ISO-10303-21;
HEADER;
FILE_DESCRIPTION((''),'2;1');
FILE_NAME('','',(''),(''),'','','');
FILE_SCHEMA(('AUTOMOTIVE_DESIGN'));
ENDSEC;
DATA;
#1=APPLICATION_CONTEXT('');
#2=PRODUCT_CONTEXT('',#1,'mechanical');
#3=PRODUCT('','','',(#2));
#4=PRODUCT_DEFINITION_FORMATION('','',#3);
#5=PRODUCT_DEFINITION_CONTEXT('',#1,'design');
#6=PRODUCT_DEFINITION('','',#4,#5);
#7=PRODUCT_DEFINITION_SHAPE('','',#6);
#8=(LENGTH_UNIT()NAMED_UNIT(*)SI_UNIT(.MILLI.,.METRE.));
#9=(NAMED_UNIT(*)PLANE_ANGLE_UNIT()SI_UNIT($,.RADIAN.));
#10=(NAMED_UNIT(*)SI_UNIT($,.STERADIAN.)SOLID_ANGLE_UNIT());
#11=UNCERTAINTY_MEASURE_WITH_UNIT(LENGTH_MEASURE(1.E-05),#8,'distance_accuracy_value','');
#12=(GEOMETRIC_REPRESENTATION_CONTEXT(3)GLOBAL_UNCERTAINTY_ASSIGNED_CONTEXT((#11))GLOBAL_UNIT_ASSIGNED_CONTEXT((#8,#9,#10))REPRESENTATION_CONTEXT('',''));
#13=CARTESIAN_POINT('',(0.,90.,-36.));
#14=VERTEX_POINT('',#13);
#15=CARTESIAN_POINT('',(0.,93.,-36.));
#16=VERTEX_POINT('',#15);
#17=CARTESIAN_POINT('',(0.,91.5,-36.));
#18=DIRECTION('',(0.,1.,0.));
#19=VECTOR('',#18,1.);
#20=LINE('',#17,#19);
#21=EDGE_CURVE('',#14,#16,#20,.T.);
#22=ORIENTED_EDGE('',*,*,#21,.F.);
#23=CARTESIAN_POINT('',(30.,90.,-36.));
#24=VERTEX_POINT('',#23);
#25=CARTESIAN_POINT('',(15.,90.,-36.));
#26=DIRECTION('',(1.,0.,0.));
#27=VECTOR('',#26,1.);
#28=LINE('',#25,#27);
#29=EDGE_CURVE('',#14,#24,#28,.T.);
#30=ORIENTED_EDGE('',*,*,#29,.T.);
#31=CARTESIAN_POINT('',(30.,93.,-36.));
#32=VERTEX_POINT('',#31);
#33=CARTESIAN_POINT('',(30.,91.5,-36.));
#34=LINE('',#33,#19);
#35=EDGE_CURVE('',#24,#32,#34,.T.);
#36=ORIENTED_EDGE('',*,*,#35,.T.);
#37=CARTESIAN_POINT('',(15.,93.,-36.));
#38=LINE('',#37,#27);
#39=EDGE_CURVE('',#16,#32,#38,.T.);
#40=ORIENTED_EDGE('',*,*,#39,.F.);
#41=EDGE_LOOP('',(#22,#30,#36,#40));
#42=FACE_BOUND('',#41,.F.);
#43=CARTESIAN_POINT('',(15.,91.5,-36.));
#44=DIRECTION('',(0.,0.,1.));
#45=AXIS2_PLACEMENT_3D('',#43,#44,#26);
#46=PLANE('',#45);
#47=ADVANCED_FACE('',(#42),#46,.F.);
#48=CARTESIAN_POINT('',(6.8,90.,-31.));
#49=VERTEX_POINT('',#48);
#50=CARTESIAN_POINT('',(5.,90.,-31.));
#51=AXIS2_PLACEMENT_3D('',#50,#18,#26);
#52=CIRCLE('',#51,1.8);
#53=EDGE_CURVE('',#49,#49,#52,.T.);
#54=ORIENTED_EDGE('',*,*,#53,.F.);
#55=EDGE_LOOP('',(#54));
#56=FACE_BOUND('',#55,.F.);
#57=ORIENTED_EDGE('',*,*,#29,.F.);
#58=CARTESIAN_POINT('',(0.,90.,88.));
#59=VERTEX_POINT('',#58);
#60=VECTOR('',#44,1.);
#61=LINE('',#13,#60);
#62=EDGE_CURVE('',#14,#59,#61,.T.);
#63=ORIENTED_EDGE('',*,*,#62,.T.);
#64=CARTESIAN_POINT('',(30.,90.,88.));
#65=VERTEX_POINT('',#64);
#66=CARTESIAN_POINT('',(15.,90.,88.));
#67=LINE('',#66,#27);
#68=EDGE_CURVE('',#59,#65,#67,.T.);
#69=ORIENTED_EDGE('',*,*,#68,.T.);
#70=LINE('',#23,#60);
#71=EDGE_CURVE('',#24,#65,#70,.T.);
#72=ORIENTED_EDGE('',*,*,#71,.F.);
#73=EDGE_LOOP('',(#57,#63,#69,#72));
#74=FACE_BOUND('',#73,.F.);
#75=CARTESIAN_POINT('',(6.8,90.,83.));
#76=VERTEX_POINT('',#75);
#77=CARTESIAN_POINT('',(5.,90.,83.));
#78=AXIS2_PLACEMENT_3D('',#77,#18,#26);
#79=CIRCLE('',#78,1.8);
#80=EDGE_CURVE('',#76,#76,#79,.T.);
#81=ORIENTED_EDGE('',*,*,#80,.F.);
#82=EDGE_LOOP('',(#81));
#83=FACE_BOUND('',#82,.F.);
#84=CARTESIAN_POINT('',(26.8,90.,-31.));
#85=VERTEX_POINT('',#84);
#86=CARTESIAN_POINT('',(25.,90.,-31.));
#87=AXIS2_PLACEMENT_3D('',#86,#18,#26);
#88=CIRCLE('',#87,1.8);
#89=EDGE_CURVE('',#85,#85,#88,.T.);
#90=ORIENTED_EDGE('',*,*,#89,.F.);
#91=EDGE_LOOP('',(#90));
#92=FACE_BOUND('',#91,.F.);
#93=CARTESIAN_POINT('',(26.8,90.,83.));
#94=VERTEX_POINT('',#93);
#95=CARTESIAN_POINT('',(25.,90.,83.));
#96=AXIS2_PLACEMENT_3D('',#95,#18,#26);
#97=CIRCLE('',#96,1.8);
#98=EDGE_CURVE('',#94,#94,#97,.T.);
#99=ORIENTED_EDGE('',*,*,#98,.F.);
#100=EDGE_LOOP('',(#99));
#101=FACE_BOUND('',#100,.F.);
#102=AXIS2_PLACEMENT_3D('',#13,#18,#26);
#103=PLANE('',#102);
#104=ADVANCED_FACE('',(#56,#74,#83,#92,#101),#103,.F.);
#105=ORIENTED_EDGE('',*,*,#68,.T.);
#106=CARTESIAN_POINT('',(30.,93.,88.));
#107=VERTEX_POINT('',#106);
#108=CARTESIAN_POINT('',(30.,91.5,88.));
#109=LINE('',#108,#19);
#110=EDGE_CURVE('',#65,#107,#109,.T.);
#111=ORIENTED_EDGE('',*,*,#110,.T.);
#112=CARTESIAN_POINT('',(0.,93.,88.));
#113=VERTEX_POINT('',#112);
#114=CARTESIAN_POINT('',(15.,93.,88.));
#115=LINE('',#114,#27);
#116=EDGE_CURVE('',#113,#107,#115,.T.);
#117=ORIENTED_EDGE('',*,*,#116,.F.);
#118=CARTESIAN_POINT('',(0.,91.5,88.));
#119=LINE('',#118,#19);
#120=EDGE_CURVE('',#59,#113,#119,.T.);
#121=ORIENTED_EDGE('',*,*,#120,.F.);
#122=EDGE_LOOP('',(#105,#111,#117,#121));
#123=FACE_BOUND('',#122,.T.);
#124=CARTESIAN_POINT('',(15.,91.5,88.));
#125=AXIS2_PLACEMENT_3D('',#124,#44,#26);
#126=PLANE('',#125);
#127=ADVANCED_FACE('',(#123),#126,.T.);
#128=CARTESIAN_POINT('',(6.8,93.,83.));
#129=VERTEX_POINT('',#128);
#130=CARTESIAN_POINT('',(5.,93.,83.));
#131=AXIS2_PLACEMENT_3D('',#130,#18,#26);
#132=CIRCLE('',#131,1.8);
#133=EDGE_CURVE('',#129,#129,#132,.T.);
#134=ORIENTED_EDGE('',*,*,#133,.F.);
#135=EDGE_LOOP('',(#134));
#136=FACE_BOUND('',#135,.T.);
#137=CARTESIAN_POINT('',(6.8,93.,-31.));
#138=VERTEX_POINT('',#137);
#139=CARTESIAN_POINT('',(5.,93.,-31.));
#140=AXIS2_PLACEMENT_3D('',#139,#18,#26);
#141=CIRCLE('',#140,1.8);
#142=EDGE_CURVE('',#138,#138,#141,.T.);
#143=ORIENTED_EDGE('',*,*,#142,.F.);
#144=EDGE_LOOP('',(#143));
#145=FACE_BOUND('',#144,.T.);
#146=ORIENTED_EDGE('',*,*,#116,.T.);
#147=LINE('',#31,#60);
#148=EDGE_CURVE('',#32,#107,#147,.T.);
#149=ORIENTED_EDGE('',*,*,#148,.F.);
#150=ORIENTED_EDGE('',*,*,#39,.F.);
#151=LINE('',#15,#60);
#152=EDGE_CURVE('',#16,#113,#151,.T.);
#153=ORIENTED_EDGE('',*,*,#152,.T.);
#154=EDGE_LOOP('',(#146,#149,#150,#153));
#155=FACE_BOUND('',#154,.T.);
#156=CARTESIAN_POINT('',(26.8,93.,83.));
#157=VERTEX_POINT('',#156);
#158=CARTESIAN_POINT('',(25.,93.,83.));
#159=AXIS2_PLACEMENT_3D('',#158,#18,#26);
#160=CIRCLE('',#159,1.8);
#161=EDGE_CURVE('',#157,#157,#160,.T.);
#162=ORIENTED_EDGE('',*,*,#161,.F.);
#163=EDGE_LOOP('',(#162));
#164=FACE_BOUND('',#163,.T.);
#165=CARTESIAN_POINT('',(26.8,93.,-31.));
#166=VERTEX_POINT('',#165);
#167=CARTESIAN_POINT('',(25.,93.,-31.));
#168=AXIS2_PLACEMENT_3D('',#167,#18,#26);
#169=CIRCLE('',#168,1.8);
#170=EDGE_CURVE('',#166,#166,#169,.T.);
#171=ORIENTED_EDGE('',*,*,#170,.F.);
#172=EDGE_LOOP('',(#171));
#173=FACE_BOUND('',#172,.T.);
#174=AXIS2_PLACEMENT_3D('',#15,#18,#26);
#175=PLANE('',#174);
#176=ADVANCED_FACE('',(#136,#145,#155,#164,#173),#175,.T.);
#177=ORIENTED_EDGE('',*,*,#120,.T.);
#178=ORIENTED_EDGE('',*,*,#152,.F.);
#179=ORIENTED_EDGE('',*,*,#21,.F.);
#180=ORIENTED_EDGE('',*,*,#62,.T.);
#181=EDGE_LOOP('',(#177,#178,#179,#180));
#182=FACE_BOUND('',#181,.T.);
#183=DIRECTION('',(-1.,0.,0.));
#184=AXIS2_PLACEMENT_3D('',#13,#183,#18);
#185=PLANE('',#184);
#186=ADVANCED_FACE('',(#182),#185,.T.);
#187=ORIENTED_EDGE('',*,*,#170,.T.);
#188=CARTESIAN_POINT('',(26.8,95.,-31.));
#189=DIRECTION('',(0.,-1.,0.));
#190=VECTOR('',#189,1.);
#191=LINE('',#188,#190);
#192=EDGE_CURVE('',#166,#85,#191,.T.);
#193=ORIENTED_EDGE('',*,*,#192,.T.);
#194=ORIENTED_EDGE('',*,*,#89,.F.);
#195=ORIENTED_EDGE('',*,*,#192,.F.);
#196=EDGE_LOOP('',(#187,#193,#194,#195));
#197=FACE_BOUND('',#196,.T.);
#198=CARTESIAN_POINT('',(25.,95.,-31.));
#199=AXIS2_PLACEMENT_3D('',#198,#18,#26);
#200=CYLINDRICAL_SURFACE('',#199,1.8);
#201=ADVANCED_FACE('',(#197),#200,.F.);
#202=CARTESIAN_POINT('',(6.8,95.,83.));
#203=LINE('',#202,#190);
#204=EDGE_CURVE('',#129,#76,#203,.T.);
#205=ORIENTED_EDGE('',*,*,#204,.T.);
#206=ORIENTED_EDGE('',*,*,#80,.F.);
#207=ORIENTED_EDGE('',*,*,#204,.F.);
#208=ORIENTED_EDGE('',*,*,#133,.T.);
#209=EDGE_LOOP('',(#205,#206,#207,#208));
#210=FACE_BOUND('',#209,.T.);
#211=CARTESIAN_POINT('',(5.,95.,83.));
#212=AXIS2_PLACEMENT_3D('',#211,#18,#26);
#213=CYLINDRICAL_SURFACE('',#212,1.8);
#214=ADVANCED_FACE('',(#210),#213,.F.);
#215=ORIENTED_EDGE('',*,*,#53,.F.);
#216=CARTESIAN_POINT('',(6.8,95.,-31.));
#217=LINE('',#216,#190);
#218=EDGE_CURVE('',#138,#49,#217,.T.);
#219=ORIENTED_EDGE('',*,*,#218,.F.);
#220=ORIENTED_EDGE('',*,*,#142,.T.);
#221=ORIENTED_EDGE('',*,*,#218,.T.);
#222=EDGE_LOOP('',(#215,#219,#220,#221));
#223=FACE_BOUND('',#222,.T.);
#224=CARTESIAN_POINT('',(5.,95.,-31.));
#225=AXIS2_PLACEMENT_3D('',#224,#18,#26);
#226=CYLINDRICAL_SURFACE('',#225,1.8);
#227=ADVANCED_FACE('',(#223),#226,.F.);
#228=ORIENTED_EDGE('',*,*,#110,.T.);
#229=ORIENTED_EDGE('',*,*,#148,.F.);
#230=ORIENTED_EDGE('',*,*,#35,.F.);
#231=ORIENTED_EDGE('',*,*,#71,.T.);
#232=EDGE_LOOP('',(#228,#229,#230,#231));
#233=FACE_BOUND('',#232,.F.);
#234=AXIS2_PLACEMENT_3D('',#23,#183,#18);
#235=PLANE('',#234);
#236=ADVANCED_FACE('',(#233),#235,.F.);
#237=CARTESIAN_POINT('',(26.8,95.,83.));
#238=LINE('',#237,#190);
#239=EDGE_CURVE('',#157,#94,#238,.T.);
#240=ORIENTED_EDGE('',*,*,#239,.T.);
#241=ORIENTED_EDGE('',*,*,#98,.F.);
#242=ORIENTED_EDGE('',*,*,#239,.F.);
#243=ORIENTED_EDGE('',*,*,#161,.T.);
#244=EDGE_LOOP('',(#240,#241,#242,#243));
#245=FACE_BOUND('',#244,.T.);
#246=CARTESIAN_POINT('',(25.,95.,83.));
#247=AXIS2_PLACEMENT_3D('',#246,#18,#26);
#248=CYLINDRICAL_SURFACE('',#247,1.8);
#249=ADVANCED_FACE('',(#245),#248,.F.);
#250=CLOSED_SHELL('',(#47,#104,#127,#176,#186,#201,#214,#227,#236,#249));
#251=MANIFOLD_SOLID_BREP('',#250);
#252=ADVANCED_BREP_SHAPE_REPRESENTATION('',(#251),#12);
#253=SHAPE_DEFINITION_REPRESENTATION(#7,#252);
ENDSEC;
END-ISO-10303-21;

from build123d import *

# Parameters (mm, degrees)
CYLINDER038_R       = 1.8
CYLINDER038_DEPTH   = 10
ARRAY001019_X_COUNT = 2
ARRAY001019_X_PITCH = 20
ARRAY001019_Z_COUNT = 2
ARRAY001019_Z_PITCH = 114
BOX018_W            = 30
BOX018_H            = 3
BOX018_DEPTH        = 124


with BuildPart() as side_connector_hole_array:
    # Cylinder038 → Cylinder038 (new body)
    with BuildSketch(Plane.XZ):
        Circle(CYLINDER038_R)
    extrude(amount=CYLINDER038_DEPTH)

    # Array001019 X: side connector hole array ×2


with BuildPart() as side_connector_hole_array_1:
    add(side_connector_hole_array.part)
    with Locations(*[(i * ARRAY001019_X_PITCH, 0, 0) for i in range(1, ARRAY001019_X_COUNT)]):
        add(side_connector_hole_array.part)

    # Array001019 Z: side connector hole array ×2


with BuildPart() as side_connector_hole_array_2:
    add(side_connector_hole_array_1.part)
    with Locations(*[(0, 0, i * ARRAY001019_Z_PITCH) for i in range(1, ARRAY001019_Z_COUNT)]):
        add(side_connector_hole_array_1.part)


with BuildPart() as side_connector_hole_array_3:
    # Array001019 placement: moved
    add(side_connector_hole_array_2.part.moved(Location((5, 5, 5))))


with BuildPart() as vertical_side_connector_clone001:
    # Box018 → Box018 (new body)
    with BuildSketch(Plane.XY):
        with Locations((15, 1.5)):
            Rectangle(BOX018_W, BOX018_H)
    extrude(amount=BOX018_DEPTH)

    # Cut014: cut side connector hole array
    add(side_connector_hole_array_3.part, mode=Mode.SUBTRACT)


with BuildPart() as vertical_side_connector_clone001_1:
    # Compound001 placement: moved
    add(vertical_side_connector_clone001.part.moved(Location((0, -11, -36))))


with BuildPart() as vertical_side_connector_clone001_2:
    # Clone005 placement: moved
    add(vertical_side_connector_clone001_1.part.moved(Location((0, 6, 2))))


with BuildPart() as vertical_side_connector_clone001_3:
    # Body005 placement: moved
    add(vertical_side_connector_clone001_2.part.moved(Location((0, 95, -2))))


solid = vertical_side_connector_clone001_3.part
